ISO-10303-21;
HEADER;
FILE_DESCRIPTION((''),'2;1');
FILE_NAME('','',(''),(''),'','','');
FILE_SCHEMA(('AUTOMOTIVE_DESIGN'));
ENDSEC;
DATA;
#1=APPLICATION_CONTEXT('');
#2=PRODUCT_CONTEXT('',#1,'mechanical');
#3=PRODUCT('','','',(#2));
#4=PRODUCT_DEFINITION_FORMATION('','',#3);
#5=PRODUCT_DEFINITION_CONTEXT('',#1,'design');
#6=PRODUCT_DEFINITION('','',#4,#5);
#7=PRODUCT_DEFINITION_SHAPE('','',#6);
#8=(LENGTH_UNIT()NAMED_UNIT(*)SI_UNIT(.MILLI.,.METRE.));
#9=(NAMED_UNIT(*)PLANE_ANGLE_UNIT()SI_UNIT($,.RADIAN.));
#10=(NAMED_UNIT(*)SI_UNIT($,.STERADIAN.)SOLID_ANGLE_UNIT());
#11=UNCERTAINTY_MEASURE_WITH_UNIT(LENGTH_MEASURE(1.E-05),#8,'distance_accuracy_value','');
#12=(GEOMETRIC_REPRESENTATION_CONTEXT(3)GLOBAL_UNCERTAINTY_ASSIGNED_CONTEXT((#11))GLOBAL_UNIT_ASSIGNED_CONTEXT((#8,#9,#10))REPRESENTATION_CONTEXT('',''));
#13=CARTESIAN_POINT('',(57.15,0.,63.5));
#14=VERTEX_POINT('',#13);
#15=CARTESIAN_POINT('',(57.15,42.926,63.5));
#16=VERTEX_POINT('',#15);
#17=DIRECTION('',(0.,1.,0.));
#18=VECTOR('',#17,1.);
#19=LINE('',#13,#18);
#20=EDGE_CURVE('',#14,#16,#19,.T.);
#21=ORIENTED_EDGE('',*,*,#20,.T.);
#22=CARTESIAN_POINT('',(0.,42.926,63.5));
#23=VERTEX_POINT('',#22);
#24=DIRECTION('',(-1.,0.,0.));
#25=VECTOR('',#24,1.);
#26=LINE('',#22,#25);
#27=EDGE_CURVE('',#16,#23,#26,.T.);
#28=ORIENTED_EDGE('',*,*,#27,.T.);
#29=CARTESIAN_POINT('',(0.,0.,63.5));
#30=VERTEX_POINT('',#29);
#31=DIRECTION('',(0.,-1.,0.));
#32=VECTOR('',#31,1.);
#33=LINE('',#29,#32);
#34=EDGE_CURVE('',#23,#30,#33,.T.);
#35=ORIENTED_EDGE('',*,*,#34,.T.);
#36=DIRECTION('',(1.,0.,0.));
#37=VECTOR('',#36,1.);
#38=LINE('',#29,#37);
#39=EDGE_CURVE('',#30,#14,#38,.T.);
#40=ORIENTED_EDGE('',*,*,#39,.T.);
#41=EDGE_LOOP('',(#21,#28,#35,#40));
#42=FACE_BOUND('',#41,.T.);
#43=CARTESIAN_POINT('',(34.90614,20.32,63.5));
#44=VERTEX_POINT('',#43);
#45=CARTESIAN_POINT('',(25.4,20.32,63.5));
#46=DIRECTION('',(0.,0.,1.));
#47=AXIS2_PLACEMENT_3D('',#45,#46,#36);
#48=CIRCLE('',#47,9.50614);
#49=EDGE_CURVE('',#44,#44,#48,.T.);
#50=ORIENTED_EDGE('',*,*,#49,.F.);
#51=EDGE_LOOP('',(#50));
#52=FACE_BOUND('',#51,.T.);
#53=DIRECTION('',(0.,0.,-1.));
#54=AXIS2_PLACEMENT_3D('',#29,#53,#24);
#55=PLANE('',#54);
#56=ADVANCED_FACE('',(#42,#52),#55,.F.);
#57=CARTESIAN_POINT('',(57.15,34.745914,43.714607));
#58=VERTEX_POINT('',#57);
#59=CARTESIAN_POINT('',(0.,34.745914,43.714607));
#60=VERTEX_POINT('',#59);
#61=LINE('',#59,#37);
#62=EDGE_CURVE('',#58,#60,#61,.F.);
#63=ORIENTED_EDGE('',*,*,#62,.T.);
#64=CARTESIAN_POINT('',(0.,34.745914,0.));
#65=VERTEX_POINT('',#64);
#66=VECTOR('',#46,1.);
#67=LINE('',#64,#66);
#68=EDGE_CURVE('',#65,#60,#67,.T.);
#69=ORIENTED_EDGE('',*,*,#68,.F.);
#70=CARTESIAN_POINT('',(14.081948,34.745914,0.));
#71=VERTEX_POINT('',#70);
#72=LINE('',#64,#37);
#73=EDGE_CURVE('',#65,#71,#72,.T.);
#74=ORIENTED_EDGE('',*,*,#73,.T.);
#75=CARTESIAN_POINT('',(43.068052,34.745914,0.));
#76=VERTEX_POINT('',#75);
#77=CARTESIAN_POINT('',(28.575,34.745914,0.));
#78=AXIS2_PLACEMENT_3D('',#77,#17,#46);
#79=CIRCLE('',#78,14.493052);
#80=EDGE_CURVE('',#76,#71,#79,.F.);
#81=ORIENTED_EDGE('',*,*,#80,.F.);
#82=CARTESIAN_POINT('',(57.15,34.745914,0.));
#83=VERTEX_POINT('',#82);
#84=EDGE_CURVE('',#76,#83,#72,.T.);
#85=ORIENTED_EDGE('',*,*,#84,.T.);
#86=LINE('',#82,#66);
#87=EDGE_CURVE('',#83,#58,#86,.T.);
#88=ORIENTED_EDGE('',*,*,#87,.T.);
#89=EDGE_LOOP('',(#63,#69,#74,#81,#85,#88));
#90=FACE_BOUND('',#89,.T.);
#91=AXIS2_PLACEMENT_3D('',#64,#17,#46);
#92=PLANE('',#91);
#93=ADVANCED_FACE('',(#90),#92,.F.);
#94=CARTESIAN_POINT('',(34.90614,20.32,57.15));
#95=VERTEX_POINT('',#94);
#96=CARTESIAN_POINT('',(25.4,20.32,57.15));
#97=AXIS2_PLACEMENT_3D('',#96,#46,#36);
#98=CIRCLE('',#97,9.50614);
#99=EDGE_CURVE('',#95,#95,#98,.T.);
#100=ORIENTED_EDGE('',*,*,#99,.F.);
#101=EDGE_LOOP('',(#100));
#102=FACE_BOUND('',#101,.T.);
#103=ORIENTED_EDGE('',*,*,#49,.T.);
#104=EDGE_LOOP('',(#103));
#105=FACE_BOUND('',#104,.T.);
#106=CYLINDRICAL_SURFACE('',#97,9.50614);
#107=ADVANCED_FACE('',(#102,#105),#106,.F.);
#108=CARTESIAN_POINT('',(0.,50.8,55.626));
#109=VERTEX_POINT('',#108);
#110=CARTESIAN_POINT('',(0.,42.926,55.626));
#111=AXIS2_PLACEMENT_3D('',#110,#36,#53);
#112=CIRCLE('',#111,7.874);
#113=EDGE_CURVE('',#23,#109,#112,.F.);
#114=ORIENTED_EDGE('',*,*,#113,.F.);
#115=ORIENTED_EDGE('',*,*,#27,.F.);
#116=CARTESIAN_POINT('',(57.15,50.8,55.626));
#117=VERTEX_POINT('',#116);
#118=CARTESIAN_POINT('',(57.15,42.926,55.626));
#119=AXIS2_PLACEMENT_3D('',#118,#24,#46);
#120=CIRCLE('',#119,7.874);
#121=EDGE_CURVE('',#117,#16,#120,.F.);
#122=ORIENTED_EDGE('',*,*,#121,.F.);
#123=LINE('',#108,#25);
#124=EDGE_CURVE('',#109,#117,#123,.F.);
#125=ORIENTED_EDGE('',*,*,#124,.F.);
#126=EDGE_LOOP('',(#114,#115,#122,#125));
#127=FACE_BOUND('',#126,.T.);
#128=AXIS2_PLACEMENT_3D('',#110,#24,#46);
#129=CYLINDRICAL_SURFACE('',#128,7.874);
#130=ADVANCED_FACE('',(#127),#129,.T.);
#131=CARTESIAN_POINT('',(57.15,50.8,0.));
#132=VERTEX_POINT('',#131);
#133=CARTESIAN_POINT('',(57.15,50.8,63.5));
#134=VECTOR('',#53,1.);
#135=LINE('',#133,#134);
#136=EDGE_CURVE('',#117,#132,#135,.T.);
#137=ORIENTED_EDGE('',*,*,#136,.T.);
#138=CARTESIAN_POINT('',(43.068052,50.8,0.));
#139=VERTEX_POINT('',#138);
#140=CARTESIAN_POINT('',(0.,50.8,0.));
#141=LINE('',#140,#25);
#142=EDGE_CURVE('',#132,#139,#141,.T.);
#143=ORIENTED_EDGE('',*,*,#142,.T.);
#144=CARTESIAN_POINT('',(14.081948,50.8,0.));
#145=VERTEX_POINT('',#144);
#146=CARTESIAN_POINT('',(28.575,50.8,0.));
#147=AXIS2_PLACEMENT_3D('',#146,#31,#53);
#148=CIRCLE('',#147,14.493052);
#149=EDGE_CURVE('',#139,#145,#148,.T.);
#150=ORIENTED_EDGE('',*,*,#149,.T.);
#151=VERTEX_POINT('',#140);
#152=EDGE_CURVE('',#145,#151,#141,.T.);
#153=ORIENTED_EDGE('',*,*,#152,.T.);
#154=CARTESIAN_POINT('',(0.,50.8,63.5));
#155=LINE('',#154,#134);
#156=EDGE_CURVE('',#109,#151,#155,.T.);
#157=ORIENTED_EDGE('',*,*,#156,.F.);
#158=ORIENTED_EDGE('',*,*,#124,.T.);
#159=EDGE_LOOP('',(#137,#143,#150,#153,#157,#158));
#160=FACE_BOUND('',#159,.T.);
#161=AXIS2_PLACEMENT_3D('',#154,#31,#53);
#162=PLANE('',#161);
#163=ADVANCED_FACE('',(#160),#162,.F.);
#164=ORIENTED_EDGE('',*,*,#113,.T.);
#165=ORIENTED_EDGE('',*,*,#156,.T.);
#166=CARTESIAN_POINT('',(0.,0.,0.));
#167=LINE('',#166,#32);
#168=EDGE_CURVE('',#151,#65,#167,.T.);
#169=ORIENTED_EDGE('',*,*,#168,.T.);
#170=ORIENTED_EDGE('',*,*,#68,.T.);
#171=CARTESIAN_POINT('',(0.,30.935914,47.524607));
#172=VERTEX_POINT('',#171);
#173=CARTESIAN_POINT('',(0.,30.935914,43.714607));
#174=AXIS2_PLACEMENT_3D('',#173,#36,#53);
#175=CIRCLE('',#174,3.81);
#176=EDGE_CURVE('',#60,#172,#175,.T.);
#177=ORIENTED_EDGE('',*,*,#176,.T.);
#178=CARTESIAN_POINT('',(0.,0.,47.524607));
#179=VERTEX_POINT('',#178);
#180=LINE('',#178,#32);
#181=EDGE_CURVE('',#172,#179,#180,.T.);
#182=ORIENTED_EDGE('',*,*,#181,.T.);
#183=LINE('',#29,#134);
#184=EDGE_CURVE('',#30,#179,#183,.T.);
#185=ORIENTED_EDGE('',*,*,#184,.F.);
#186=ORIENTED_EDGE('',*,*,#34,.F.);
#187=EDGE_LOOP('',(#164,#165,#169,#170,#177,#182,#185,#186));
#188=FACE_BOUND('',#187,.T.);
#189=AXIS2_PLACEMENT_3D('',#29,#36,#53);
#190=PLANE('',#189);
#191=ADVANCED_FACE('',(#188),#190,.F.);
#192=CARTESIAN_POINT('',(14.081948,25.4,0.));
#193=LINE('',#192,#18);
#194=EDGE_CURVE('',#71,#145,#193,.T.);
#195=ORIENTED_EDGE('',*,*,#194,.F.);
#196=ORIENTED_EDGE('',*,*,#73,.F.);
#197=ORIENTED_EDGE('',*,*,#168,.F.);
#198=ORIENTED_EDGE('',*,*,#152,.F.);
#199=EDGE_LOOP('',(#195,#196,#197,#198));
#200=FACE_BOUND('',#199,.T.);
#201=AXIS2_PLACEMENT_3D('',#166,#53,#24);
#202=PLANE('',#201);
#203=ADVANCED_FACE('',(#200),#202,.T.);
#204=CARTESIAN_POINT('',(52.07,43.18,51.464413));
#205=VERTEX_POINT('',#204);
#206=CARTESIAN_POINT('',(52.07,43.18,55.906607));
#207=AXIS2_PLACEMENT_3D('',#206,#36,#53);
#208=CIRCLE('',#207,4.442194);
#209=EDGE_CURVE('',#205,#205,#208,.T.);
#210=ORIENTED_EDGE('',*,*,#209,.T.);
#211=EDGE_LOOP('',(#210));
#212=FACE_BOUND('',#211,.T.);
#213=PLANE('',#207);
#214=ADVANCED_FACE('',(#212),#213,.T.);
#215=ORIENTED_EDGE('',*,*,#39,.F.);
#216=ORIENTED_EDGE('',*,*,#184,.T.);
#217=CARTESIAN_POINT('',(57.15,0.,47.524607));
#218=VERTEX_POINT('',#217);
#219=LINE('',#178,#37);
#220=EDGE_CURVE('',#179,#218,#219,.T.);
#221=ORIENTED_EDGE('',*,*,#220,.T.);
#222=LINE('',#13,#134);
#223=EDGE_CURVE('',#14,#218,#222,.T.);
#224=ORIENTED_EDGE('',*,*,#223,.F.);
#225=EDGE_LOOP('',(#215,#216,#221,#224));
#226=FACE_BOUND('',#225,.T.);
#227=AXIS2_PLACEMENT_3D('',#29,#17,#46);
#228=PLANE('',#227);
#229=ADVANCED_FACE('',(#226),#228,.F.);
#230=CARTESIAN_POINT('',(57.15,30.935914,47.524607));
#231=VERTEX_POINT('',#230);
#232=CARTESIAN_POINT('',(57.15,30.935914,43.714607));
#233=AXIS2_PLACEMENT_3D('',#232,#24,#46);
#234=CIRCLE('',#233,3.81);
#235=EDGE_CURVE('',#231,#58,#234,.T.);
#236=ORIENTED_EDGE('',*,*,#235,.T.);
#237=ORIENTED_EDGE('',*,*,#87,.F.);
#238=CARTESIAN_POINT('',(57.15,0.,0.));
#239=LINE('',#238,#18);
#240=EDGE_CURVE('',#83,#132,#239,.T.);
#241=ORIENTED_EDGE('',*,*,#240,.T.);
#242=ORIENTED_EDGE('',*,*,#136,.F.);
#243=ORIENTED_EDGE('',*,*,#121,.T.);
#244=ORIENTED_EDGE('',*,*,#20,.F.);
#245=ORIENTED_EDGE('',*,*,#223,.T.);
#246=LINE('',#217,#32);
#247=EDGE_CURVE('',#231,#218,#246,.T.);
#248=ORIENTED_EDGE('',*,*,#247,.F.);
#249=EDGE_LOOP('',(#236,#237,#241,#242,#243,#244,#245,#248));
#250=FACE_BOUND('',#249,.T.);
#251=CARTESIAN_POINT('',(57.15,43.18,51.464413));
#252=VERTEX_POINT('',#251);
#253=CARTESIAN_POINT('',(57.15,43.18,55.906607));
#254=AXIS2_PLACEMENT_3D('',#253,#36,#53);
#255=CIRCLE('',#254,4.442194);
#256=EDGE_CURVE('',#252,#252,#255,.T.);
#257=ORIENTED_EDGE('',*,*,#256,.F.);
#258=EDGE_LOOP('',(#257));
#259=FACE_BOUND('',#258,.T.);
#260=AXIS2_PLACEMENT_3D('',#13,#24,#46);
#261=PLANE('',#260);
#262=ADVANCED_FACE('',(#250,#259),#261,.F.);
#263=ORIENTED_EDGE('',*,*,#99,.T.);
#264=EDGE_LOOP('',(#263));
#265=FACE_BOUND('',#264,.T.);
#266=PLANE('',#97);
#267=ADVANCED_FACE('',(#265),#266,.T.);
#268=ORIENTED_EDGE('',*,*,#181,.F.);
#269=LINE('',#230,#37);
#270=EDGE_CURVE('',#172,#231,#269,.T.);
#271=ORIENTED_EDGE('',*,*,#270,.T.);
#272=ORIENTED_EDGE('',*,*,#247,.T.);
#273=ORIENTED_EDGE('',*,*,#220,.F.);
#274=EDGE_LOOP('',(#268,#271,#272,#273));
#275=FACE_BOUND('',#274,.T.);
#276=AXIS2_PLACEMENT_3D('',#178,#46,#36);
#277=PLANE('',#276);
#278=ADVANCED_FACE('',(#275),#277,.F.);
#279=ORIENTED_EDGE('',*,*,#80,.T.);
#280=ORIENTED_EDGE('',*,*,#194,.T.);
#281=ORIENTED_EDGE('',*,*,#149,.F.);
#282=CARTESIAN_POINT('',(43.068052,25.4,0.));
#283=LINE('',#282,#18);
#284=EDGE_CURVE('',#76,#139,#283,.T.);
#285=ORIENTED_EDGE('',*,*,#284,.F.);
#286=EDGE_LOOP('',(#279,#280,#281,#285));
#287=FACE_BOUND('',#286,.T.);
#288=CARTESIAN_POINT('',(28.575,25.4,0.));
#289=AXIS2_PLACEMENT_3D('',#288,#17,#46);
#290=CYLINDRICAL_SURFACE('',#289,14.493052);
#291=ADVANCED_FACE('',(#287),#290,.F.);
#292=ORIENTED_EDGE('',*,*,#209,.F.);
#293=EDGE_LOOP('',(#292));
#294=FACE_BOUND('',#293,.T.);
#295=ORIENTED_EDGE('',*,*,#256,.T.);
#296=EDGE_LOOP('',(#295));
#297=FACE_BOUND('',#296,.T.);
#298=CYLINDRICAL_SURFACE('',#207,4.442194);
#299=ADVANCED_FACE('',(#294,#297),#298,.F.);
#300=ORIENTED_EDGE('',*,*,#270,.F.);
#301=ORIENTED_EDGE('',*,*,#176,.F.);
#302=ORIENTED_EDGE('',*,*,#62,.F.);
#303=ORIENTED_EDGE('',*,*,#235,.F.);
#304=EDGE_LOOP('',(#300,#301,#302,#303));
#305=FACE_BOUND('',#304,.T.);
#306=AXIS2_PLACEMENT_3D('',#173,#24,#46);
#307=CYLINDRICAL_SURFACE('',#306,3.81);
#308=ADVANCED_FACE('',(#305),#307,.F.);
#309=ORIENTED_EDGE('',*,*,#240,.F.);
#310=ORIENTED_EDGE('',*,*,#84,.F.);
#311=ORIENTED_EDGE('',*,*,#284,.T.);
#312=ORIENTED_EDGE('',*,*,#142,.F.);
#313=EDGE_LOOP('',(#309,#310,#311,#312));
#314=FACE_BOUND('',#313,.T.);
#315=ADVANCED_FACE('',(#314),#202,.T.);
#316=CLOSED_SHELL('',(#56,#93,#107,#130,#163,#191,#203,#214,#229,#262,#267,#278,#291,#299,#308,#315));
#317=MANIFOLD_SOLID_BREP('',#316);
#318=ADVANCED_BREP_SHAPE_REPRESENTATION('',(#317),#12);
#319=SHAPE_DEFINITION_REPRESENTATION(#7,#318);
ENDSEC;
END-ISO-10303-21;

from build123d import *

# Parameters (mm, degrees)
SKETCH1_W           = 57.15
SKETCH1_H           = 50.8
BOSS_EXTRUDE1_DEPTH = 63.5
SKETCH2_R           = 9.506140486
CUT_EXTRUDE1_DEPTH  = 6.35
FILLET1_R           = 7.874
SKETCH3_W           = 47.524607072
SKETCH3_H           = 34.745914464
CUT_EXTRUDE2_DEPTH  = 57.15
FILLET2_R           = 3.81
SKETCH4_R           = 4.44219446
CUT_EXTRUDE3_DEPTH  = 5.08
CUT_EXTRUDE4_DEPTH  = 25.4


with BuildPart() as part:
    # Sketch1 → Boss-Extrude1 (new body)
    with BuildSketch(Plane.XY):
        with Locations((28.575, 25.4)):
            Rectangle(SKETCH1_W, SKETCH1_H)
    extrude(amount=BOSS_EXTRUDE1_DEPTH)

    # Sketch2 → Cut-Extrude1 (cut)
    with BuildSketch(Plane.XY.offset(63.5)):
        with Locations((25.4, 20.32)):
            Circle(SKETCH2_R)
    extrude(amount=-CUT_EXTRUDE1_DEPTH, mode=Mode.SUBTRACT)

    # Fillet1
    fillet1_edges = [part.edges().sort_by_distance(p)[0] for p in [
        (28.575, 50.8, 63.5),
    ]]
    fillet(fillet1_edges, radius=FILLET1_R)

    # Sketch3 → Cut-Extrude2 (cut)
    with BuildSketch(Plane(origin=(57.15, 0, 0), x_dir=(0, 0, -1), z_dir=(1, 0, 0))):
        with Locations((-23.762303536, 17.372957232)):
            Rectangle(SKETCH3_W, SKETCH3_H)
    extrude(amount=-CUT_EXTRUDE2_DEPTH, mode=Mode.SUBTRACT)

    # Fillet2
    fillet2_edges = [part.edges().sort_by_distance(p)[0] for p in [
        (28.575, 34.745914464, 47.524607072),
    ]]
    fillet(fillet2_edges, radius=FILLET2_R)

    # Sketch4 → Cut-Extrude3 (cut)
    with BuildSketch(Plane(origin=(57.15, 0, 0), x_dir=(0, 0, -1), z_dir=(1, 0, 0))):
        with Locations((-55.906607072, 43.18)):
            Circle(SKETCH4_R)
    extrude(amount=-CUT_EXTRUDE3_DEPTH, mode=Mode.SUBTRACT)

    # Sketch5 → Cut-Extrude4 (cut)
    with BuildSketch(Plane(origin=(0, 50.8, 0), x_dir=(1, 0, 0), z_dir=(0, 1, 0))):
        with BuildLine():
            Line((14.081947764, 0), (43.068052236, 0))
            ThreePointArc((43.068052236, 0), (28.575, -14.493052236), (14.081947764, 0))
        make_face()
    extrude(amount=-CUT_EXTRUDE4_DEPTH, mode=Mode.SUBTRACT)


solid = part.part
